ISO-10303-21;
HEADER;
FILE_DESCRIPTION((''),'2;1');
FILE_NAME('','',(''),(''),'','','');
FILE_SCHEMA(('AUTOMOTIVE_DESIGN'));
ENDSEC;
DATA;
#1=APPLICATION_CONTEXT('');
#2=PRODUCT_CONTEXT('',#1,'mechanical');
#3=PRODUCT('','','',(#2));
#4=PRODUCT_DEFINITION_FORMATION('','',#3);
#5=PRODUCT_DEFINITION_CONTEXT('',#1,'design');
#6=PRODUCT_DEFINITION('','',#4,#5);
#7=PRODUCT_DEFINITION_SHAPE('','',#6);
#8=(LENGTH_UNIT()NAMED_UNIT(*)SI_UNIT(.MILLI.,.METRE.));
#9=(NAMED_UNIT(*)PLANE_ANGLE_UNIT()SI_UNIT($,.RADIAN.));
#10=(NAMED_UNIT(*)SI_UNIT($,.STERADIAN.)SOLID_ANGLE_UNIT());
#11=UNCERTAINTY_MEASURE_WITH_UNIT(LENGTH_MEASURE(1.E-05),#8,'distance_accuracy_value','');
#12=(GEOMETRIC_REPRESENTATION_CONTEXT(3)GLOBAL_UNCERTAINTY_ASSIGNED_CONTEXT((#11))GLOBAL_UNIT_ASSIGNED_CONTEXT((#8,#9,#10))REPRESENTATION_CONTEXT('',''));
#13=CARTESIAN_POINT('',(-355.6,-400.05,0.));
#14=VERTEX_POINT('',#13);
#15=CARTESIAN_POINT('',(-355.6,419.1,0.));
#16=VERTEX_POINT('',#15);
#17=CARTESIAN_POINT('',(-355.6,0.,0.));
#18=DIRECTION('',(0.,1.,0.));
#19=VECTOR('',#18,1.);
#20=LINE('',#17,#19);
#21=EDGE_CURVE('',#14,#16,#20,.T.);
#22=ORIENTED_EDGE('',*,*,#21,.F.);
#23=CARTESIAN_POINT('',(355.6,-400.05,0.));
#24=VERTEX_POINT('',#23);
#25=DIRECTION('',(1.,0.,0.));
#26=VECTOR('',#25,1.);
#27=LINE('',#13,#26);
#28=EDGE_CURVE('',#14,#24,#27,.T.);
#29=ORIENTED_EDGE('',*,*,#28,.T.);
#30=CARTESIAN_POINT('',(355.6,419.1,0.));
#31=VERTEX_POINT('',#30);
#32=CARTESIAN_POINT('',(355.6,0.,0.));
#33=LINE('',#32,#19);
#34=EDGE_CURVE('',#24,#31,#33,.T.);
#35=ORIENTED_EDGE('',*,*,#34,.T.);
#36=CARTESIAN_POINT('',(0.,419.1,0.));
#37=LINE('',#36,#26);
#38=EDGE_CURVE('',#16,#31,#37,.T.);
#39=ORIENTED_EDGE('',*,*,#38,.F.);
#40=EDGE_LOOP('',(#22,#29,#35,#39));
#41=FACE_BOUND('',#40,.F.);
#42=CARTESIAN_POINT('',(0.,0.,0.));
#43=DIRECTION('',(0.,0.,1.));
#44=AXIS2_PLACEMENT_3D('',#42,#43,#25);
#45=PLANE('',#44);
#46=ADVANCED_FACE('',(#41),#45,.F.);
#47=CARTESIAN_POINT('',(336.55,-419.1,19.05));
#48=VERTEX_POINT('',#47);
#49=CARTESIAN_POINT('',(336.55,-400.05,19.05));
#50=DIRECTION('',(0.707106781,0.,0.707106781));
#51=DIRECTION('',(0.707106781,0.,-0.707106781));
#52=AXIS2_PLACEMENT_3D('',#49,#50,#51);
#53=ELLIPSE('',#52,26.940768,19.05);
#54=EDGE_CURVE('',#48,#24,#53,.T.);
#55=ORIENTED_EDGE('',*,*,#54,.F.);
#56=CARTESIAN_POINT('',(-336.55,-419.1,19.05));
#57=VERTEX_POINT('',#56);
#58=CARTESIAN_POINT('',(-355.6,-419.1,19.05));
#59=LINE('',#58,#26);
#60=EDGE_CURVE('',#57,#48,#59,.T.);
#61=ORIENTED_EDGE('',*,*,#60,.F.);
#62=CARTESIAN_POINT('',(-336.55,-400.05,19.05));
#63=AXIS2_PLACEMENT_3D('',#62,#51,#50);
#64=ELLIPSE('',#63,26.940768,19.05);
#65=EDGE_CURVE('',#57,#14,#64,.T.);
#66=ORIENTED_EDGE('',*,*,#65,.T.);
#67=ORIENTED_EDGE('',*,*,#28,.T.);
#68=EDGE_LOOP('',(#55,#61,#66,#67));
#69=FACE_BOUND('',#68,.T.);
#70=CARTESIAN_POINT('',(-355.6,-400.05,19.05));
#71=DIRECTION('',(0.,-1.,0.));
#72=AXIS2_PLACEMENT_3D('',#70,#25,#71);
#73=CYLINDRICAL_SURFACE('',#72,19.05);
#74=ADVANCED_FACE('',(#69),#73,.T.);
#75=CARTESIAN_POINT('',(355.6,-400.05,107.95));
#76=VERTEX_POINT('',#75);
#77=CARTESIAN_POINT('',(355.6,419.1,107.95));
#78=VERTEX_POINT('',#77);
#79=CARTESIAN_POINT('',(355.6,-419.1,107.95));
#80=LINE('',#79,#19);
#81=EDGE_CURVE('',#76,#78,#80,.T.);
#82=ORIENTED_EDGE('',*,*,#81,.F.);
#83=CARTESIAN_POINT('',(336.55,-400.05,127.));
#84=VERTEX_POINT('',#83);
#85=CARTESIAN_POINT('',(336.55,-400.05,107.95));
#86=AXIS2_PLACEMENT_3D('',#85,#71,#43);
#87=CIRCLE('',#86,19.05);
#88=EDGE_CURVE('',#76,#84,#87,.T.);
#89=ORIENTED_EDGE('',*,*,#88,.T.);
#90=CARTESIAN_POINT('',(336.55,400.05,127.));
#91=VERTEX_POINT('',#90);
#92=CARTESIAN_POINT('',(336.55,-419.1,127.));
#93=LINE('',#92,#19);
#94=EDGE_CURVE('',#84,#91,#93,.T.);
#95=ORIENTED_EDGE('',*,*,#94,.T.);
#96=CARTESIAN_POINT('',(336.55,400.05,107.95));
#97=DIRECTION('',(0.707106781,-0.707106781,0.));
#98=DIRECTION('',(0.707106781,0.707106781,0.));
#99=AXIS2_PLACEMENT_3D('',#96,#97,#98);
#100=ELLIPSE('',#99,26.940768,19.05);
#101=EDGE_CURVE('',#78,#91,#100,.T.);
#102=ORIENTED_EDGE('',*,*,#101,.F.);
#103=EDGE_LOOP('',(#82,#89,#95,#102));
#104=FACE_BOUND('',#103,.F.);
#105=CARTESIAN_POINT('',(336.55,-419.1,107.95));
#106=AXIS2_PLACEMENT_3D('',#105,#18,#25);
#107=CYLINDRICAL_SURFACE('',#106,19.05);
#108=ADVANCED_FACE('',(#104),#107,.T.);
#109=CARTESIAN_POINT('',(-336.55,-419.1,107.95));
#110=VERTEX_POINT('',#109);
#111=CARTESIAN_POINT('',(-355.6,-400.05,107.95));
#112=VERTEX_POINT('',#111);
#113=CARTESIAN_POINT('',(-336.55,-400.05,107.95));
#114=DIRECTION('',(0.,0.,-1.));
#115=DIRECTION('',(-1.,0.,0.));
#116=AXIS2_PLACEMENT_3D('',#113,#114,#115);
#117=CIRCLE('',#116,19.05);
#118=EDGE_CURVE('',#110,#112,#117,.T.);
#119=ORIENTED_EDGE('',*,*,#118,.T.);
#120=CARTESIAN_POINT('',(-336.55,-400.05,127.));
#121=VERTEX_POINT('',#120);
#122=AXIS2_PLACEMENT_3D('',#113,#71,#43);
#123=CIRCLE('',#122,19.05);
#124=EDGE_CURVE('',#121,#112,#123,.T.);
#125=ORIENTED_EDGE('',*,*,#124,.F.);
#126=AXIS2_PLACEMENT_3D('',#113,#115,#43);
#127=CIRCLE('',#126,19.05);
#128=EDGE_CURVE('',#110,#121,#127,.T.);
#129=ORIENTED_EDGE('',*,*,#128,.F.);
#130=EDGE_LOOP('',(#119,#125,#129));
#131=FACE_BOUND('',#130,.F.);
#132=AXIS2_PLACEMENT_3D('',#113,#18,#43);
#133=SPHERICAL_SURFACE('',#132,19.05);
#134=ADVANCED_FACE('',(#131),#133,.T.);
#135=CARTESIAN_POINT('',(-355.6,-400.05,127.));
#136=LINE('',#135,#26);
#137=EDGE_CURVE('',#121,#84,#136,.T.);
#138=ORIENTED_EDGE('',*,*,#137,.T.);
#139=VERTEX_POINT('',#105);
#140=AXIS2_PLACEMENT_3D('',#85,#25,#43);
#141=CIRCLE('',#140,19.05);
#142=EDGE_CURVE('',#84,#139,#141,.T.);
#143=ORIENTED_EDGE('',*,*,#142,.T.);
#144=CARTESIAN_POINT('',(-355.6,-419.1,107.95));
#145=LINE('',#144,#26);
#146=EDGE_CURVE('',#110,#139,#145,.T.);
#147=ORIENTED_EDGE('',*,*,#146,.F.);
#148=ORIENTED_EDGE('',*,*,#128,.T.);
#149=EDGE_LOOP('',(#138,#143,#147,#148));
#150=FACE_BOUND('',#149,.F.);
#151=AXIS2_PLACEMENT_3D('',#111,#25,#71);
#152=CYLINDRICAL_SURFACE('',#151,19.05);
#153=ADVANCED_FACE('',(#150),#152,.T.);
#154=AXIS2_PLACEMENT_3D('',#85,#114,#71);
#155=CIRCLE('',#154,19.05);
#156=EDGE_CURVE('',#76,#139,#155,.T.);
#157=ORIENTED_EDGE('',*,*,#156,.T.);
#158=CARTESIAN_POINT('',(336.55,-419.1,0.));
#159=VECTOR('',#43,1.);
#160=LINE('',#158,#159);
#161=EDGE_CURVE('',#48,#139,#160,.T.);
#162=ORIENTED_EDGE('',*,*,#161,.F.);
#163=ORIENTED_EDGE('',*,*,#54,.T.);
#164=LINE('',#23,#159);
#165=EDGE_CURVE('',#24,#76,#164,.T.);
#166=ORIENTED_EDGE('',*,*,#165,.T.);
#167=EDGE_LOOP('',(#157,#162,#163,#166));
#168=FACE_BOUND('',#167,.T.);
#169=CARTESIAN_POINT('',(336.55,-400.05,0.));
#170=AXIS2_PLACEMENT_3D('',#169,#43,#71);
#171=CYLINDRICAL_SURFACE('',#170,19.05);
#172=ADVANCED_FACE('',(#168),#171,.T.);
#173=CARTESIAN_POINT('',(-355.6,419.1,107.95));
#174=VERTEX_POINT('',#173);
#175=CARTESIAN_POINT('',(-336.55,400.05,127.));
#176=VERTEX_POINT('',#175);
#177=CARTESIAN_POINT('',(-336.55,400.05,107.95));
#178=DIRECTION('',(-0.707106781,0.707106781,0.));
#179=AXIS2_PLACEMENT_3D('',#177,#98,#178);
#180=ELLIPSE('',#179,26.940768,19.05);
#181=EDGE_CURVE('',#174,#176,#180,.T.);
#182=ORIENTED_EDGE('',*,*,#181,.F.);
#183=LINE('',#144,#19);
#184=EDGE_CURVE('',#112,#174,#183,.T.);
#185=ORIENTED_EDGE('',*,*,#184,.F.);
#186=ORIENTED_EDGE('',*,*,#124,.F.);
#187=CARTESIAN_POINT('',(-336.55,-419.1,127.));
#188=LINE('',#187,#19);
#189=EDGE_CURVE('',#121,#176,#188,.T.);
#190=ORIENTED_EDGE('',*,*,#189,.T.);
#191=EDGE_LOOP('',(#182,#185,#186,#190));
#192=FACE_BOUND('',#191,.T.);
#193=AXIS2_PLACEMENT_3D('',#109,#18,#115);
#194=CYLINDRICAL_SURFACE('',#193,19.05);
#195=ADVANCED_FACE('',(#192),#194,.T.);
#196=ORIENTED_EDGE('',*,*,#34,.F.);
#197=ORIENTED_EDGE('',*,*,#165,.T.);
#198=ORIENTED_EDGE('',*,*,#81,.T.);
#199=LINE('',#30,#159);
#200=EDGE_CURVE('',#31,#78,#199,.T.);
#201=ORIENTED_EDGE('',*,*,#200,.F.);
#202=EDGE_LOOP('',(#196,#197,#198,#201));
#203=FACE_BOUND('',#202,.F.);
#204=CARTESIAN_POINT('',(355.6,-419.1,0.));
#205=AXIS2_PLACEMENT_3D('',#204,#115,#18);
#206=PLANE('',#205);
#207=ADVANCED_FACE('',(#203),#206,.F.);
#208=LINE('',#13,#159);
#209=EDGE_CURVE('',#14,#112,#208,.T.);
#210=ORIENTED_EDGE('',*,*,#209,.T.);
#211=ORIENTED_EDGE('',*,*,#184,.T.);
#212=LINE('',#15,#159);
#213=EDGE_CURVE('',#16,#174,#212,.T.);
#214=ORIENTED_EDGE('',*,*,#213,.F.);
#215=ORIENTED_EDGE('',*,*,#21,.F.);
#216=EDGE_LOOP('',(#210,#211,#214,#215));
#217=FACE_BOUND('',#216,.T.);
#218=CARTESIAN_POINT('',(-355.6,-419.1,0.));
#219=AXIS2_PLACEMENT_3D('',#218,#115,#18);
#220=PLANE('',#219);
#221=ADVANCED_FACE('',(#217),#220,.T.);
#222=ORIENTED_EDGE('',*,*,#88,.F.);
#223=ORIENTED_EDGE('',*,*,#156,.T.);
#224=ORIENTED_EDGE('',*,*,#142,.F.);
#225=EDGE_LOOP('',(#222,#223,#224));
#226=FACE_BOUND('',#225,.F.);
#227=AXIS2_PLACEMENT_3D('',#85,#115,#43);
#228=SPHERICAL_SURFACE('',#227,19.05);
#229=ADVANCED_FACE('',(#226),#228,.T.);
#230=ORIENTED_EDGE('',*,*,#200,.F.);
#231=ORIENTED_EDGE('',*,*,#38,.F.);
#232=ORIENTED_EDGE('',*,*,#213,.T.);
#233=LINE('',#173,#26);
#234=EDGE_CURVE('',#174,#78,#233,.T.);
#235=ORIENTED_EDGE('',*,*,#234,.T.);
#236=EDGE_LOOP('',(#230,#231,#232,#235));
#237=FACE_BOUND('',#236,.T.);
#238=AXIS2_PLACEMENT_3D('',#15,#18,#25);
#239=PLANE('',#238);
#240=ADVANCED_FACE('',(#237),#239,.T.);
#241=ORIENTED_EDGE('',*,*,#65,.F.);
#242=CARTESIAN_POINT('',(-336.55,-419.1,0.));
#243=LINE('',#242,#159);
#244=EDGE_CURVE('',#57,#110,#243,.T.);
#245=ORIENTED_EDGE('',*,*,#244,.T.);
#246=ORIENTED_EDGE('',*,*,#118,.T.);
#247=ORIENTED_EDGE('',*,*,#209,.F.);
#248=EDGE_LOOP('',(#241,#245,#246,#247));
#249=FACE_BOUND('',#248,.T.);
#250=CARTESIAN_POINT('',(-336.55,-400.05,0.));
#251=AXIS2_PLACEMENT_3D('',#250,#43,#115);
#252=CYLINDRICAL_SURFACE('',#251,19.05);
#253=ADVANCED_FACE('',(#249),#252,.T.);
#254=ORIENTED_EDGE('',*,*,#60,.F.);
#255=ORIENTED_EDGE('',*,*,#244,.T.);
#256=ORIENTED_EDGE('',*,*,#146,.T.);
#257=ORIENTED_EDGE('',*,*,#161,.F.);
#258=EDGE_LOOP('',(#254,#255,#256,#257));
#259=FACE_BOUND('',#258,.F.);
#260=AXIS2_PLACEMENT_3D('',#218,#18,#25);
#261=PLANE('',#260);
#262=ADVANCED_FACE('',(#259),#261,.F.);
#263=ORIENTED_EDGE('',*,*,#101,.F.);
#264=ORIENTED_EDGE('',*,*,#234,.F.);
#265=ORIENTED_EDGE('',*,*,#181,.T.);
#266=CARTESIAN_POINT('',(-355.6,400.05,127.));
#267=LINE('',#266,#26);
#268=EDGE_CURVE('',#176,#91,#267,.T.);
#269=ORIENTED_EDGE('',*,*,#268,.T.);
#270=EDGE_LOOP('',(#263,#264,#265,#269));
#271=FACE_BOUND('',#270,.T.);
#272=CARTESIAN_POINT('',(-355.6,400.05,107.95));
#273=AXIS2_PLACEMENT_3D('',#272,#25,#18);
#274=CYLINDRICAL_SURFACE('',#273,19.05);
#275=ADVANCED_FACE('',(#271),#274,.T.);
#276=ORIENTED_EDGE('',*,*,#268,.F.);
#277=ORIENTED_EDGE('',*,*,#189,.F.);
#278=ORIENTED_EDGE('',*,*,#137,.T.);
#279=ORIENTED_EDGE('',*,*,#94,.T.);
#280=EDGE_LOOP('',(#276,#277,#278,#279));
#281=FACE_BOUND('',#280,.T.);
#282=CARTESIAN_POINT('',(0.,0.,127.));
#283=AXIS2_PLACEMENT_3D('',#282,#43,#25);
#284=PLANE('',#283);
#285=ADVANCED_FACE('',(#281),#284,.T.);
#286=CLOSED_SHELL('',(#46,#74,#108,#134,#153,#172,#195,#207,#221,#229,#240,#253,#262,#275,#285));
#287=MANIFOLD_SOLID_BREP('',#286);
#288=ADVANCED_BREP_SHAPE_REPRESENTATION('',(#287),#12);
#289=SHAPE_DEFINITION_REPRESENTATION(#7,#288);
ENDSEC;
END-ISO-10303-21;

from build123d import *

# Parameters (mm, degrees)
F0_W     = 711.2
F0_H     = 838.2
F1_DEPTH = 127
F2_R     = 19.05


with BuildPart() as f1:
    # F0 (on Top) → F1 (new body)
    with BuildSketch(Plane.XY):
        Rectangle(F0_W, F0_H)
    extrude(amount=F1_DEPTH)

    # F2
    f2_edges = [f1.edges().sort_by_distance(p)[0] for p in [
        (-355.6, 0, 127),
        (0, -419.1, 127),
        (355.6, 0, 127),
        (0, 419.1, 127),
        (0, -419.1, 0),
        (355.6, -419.1, 63.5),
        (-355.6, -419.1, 63.5),
    ]]
    fillet(f2_edges, radius=F2_R)


solid = f1.part
